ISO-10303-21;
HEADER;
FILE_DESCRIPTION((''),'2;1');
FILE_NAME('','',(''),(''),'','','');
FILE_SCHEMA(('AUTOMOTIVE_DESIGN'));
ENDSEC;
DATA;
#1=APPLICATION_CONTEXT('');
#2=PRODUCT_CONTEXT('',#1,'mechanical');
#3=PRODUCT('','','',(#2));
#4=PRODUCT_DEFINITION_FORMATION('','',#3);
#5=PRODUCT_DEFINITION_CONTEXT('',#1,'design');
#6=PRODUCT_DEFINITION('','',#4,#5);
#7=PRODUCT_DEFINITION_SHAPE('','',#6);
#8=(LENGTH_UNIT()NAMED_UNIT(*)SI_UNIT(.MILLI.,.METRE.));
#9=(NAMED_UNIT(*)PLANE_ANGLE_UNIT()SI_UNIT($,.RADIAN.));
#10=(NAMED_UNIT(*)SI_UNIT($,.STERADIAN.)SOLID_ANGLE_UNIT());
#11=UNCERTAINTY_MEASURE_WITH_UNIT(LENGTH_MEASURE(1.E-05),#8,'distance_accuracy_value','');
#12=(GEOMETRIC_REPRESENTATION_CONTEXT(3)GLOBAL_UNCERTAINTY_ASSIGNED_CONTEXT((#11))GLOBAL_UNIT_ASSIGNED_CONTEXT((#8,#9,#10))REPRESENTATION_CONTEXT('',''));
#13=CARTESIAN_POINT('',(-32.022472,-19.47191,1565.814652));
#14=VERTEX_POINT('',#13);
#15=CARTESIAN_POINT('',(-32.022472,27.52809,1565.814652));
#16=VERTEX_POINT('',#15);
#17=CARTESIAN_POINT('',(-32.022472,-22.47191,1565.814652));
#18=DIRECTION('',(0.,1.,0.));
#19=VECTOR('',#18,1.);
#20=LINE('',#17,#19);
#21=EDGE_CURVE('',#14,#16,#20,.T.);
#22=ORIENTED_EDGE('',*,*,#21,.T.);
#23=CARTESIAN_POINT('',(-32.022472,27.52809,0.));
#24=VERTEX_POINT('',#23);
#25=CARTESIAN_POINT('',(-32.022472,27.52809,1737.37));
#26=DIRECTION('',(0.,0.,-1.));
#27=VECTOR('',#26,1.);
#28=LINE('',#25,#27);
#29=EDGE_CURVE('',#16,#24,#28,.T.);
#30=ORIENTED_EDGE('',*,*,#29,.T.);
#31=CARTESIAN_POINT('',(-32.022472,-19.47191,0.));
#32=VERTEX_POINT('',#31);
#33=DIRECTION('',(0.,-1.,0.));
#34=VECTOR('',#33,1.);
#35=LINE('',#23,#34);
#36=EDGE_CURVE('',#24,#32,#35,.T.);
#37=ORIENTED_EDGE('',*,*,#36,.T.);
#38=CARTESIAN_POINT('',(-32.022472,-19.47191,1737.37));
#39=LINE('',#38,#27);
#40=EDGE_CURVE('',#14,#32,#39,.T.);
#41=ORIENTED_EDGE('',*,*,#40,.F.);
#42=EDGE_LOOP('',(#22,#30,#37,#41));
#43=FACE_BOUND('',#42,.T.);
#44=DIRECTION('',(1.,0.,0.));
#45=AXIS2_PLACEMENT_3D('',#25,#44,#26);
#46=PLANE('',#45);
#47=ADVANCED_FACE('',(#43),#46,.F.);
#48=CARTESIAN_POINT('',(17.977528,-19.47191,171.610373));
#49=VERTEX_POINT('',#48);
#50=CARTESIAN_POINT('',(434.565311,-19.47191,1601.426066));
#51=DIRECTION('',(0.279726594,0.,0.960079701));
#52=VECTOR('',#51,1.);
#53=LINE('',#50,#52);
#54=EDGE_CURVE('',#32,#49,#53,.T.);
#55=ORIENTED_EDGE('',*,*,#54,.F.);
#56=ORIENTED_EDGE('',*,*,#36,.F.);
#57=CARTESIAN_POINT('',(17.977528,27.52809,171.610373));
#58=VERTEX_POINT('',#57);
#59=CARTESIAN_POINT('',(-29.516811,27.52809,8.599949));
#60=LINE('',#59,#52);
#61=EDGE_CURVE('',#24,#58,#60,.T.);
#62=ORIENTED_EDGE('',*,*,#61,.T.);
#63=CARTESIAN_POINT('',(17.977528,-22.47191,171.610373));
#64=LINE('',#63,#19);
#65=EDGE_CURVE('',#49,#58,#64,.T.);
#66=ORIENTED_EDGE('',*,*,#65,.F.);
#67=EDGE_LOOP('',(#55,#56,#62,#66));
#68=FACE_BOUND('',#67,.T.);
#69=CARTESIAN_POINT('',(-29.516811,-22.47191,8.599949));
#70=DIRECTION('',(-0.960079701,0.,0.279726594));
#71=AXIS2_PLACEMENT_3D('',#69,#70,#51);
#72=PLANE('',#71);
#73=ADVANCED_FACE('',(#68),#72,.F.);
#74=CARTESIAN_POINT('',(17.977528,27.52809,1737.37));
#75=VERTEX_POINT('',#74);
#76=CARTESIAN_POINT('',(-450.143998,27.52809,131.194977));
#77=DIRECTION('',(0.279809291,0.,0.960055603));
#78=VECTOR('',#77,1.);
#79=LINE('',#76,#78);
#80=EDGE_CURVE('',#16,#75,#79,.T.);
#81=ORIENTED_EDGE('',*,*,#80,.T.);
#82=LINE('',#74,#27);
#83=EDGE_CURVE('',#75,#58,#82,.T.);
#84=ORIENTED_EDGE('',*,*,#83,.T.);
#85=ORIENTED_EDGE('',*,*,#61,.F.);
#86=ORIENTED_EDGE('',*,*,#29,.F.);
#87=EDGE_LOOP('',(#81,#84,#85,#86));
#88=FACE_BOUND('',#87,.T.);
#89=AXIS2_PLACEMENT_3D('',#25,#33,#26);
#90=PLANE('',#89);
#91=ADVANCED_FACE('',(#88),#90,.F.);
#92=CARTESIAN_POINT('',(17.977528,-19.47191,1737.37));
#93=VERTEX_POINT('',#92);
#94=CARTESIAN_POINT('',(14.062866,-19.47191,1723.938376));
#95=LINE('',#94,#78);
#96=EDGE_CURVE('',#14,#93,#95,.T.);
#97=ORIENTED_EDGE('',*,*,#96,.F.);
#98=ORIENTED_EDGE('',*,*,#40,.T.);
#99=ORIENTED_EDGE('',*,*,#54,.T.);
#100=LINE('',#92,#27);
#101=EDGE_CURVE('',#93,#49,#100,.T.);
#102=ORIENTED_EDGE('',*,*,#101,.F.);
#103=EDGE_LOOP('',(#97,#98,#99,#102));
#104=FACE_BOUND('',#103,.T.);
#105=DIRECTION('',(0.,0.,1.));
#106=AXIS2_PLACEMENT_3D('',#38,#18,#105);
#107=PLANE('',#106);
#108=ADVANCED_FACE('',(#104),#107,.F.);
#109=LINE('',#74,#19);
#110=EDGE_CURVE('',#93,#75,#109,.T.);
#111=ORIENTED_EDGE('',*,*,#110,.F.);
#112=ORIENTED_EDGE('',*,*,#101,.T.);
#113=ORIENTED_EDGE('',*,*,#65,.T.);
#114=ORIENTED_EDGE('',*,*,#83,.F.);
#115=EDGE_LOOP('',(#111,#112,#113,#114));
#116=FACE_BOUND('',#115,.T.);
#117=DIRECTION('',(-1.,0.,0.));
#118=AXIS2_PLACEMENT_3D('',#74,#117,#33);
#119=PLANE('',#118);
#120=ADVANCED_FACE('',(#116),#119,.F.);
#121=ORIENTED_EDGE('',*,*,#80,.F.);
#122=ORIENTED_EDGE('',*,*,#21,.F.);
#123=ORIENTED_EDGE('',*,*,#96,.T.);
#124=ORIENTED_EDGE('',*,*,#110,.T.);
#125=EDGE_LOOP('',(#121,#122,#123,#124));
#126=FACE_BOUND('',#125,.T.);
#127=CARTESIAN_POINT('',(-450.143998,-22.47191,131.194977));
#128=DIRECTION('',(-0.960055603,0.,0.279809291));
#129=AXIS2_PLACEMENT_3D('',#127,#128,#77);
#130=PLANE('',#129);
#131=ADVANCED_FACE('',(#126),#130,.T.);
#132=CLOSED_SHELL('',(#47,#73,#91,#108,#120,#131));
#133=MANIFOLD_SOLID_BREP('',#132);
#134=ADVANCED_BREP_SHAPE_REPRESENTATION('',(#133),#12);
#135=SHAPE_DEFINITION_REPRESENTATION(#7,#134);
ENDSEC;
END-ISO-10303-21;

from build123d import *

# Parameters (mm, degrees)
SKETCH1_W           = 50
SKETCH1_H           = 47
BOSS_EXTRUDE1_DEPTH = 1737.37
CUT_EXTRUDE1_DEPTH  = 50


with BuildPart() as part:
    # Sketch1 → Boss-Extrude1 (new body)
    with BuildSketch(Plane.XY):
        with Locations((-7.02247191, 4.028089888)):
            Rectangle(SKETCH1_W, SKETCH1_H)
    extrude(amount=BOSS_EXTRUDE1_DEPTH)

    # Sketch2 → Cut-Extrude1 (cut)
    with BuildSketch(Plane(origin=(0, 27.528089888, 0), x_dir=(1, 0, 0), z_dir=(0, 1, 0))):
        Polygon((17.97752809, 0), (-32.02247191, 0), (17.97752809, -171.610372539), align=None)
        Polygon((17.97752809, -1737.37), (-32.02247191, -1565.814652395), (-32.02247191, -1737.37), align=None)
    extrude(amount=-CUT_EXTRUDE1_DEPTH, mode=Mode.SUBTRACT)


solid = part.part
